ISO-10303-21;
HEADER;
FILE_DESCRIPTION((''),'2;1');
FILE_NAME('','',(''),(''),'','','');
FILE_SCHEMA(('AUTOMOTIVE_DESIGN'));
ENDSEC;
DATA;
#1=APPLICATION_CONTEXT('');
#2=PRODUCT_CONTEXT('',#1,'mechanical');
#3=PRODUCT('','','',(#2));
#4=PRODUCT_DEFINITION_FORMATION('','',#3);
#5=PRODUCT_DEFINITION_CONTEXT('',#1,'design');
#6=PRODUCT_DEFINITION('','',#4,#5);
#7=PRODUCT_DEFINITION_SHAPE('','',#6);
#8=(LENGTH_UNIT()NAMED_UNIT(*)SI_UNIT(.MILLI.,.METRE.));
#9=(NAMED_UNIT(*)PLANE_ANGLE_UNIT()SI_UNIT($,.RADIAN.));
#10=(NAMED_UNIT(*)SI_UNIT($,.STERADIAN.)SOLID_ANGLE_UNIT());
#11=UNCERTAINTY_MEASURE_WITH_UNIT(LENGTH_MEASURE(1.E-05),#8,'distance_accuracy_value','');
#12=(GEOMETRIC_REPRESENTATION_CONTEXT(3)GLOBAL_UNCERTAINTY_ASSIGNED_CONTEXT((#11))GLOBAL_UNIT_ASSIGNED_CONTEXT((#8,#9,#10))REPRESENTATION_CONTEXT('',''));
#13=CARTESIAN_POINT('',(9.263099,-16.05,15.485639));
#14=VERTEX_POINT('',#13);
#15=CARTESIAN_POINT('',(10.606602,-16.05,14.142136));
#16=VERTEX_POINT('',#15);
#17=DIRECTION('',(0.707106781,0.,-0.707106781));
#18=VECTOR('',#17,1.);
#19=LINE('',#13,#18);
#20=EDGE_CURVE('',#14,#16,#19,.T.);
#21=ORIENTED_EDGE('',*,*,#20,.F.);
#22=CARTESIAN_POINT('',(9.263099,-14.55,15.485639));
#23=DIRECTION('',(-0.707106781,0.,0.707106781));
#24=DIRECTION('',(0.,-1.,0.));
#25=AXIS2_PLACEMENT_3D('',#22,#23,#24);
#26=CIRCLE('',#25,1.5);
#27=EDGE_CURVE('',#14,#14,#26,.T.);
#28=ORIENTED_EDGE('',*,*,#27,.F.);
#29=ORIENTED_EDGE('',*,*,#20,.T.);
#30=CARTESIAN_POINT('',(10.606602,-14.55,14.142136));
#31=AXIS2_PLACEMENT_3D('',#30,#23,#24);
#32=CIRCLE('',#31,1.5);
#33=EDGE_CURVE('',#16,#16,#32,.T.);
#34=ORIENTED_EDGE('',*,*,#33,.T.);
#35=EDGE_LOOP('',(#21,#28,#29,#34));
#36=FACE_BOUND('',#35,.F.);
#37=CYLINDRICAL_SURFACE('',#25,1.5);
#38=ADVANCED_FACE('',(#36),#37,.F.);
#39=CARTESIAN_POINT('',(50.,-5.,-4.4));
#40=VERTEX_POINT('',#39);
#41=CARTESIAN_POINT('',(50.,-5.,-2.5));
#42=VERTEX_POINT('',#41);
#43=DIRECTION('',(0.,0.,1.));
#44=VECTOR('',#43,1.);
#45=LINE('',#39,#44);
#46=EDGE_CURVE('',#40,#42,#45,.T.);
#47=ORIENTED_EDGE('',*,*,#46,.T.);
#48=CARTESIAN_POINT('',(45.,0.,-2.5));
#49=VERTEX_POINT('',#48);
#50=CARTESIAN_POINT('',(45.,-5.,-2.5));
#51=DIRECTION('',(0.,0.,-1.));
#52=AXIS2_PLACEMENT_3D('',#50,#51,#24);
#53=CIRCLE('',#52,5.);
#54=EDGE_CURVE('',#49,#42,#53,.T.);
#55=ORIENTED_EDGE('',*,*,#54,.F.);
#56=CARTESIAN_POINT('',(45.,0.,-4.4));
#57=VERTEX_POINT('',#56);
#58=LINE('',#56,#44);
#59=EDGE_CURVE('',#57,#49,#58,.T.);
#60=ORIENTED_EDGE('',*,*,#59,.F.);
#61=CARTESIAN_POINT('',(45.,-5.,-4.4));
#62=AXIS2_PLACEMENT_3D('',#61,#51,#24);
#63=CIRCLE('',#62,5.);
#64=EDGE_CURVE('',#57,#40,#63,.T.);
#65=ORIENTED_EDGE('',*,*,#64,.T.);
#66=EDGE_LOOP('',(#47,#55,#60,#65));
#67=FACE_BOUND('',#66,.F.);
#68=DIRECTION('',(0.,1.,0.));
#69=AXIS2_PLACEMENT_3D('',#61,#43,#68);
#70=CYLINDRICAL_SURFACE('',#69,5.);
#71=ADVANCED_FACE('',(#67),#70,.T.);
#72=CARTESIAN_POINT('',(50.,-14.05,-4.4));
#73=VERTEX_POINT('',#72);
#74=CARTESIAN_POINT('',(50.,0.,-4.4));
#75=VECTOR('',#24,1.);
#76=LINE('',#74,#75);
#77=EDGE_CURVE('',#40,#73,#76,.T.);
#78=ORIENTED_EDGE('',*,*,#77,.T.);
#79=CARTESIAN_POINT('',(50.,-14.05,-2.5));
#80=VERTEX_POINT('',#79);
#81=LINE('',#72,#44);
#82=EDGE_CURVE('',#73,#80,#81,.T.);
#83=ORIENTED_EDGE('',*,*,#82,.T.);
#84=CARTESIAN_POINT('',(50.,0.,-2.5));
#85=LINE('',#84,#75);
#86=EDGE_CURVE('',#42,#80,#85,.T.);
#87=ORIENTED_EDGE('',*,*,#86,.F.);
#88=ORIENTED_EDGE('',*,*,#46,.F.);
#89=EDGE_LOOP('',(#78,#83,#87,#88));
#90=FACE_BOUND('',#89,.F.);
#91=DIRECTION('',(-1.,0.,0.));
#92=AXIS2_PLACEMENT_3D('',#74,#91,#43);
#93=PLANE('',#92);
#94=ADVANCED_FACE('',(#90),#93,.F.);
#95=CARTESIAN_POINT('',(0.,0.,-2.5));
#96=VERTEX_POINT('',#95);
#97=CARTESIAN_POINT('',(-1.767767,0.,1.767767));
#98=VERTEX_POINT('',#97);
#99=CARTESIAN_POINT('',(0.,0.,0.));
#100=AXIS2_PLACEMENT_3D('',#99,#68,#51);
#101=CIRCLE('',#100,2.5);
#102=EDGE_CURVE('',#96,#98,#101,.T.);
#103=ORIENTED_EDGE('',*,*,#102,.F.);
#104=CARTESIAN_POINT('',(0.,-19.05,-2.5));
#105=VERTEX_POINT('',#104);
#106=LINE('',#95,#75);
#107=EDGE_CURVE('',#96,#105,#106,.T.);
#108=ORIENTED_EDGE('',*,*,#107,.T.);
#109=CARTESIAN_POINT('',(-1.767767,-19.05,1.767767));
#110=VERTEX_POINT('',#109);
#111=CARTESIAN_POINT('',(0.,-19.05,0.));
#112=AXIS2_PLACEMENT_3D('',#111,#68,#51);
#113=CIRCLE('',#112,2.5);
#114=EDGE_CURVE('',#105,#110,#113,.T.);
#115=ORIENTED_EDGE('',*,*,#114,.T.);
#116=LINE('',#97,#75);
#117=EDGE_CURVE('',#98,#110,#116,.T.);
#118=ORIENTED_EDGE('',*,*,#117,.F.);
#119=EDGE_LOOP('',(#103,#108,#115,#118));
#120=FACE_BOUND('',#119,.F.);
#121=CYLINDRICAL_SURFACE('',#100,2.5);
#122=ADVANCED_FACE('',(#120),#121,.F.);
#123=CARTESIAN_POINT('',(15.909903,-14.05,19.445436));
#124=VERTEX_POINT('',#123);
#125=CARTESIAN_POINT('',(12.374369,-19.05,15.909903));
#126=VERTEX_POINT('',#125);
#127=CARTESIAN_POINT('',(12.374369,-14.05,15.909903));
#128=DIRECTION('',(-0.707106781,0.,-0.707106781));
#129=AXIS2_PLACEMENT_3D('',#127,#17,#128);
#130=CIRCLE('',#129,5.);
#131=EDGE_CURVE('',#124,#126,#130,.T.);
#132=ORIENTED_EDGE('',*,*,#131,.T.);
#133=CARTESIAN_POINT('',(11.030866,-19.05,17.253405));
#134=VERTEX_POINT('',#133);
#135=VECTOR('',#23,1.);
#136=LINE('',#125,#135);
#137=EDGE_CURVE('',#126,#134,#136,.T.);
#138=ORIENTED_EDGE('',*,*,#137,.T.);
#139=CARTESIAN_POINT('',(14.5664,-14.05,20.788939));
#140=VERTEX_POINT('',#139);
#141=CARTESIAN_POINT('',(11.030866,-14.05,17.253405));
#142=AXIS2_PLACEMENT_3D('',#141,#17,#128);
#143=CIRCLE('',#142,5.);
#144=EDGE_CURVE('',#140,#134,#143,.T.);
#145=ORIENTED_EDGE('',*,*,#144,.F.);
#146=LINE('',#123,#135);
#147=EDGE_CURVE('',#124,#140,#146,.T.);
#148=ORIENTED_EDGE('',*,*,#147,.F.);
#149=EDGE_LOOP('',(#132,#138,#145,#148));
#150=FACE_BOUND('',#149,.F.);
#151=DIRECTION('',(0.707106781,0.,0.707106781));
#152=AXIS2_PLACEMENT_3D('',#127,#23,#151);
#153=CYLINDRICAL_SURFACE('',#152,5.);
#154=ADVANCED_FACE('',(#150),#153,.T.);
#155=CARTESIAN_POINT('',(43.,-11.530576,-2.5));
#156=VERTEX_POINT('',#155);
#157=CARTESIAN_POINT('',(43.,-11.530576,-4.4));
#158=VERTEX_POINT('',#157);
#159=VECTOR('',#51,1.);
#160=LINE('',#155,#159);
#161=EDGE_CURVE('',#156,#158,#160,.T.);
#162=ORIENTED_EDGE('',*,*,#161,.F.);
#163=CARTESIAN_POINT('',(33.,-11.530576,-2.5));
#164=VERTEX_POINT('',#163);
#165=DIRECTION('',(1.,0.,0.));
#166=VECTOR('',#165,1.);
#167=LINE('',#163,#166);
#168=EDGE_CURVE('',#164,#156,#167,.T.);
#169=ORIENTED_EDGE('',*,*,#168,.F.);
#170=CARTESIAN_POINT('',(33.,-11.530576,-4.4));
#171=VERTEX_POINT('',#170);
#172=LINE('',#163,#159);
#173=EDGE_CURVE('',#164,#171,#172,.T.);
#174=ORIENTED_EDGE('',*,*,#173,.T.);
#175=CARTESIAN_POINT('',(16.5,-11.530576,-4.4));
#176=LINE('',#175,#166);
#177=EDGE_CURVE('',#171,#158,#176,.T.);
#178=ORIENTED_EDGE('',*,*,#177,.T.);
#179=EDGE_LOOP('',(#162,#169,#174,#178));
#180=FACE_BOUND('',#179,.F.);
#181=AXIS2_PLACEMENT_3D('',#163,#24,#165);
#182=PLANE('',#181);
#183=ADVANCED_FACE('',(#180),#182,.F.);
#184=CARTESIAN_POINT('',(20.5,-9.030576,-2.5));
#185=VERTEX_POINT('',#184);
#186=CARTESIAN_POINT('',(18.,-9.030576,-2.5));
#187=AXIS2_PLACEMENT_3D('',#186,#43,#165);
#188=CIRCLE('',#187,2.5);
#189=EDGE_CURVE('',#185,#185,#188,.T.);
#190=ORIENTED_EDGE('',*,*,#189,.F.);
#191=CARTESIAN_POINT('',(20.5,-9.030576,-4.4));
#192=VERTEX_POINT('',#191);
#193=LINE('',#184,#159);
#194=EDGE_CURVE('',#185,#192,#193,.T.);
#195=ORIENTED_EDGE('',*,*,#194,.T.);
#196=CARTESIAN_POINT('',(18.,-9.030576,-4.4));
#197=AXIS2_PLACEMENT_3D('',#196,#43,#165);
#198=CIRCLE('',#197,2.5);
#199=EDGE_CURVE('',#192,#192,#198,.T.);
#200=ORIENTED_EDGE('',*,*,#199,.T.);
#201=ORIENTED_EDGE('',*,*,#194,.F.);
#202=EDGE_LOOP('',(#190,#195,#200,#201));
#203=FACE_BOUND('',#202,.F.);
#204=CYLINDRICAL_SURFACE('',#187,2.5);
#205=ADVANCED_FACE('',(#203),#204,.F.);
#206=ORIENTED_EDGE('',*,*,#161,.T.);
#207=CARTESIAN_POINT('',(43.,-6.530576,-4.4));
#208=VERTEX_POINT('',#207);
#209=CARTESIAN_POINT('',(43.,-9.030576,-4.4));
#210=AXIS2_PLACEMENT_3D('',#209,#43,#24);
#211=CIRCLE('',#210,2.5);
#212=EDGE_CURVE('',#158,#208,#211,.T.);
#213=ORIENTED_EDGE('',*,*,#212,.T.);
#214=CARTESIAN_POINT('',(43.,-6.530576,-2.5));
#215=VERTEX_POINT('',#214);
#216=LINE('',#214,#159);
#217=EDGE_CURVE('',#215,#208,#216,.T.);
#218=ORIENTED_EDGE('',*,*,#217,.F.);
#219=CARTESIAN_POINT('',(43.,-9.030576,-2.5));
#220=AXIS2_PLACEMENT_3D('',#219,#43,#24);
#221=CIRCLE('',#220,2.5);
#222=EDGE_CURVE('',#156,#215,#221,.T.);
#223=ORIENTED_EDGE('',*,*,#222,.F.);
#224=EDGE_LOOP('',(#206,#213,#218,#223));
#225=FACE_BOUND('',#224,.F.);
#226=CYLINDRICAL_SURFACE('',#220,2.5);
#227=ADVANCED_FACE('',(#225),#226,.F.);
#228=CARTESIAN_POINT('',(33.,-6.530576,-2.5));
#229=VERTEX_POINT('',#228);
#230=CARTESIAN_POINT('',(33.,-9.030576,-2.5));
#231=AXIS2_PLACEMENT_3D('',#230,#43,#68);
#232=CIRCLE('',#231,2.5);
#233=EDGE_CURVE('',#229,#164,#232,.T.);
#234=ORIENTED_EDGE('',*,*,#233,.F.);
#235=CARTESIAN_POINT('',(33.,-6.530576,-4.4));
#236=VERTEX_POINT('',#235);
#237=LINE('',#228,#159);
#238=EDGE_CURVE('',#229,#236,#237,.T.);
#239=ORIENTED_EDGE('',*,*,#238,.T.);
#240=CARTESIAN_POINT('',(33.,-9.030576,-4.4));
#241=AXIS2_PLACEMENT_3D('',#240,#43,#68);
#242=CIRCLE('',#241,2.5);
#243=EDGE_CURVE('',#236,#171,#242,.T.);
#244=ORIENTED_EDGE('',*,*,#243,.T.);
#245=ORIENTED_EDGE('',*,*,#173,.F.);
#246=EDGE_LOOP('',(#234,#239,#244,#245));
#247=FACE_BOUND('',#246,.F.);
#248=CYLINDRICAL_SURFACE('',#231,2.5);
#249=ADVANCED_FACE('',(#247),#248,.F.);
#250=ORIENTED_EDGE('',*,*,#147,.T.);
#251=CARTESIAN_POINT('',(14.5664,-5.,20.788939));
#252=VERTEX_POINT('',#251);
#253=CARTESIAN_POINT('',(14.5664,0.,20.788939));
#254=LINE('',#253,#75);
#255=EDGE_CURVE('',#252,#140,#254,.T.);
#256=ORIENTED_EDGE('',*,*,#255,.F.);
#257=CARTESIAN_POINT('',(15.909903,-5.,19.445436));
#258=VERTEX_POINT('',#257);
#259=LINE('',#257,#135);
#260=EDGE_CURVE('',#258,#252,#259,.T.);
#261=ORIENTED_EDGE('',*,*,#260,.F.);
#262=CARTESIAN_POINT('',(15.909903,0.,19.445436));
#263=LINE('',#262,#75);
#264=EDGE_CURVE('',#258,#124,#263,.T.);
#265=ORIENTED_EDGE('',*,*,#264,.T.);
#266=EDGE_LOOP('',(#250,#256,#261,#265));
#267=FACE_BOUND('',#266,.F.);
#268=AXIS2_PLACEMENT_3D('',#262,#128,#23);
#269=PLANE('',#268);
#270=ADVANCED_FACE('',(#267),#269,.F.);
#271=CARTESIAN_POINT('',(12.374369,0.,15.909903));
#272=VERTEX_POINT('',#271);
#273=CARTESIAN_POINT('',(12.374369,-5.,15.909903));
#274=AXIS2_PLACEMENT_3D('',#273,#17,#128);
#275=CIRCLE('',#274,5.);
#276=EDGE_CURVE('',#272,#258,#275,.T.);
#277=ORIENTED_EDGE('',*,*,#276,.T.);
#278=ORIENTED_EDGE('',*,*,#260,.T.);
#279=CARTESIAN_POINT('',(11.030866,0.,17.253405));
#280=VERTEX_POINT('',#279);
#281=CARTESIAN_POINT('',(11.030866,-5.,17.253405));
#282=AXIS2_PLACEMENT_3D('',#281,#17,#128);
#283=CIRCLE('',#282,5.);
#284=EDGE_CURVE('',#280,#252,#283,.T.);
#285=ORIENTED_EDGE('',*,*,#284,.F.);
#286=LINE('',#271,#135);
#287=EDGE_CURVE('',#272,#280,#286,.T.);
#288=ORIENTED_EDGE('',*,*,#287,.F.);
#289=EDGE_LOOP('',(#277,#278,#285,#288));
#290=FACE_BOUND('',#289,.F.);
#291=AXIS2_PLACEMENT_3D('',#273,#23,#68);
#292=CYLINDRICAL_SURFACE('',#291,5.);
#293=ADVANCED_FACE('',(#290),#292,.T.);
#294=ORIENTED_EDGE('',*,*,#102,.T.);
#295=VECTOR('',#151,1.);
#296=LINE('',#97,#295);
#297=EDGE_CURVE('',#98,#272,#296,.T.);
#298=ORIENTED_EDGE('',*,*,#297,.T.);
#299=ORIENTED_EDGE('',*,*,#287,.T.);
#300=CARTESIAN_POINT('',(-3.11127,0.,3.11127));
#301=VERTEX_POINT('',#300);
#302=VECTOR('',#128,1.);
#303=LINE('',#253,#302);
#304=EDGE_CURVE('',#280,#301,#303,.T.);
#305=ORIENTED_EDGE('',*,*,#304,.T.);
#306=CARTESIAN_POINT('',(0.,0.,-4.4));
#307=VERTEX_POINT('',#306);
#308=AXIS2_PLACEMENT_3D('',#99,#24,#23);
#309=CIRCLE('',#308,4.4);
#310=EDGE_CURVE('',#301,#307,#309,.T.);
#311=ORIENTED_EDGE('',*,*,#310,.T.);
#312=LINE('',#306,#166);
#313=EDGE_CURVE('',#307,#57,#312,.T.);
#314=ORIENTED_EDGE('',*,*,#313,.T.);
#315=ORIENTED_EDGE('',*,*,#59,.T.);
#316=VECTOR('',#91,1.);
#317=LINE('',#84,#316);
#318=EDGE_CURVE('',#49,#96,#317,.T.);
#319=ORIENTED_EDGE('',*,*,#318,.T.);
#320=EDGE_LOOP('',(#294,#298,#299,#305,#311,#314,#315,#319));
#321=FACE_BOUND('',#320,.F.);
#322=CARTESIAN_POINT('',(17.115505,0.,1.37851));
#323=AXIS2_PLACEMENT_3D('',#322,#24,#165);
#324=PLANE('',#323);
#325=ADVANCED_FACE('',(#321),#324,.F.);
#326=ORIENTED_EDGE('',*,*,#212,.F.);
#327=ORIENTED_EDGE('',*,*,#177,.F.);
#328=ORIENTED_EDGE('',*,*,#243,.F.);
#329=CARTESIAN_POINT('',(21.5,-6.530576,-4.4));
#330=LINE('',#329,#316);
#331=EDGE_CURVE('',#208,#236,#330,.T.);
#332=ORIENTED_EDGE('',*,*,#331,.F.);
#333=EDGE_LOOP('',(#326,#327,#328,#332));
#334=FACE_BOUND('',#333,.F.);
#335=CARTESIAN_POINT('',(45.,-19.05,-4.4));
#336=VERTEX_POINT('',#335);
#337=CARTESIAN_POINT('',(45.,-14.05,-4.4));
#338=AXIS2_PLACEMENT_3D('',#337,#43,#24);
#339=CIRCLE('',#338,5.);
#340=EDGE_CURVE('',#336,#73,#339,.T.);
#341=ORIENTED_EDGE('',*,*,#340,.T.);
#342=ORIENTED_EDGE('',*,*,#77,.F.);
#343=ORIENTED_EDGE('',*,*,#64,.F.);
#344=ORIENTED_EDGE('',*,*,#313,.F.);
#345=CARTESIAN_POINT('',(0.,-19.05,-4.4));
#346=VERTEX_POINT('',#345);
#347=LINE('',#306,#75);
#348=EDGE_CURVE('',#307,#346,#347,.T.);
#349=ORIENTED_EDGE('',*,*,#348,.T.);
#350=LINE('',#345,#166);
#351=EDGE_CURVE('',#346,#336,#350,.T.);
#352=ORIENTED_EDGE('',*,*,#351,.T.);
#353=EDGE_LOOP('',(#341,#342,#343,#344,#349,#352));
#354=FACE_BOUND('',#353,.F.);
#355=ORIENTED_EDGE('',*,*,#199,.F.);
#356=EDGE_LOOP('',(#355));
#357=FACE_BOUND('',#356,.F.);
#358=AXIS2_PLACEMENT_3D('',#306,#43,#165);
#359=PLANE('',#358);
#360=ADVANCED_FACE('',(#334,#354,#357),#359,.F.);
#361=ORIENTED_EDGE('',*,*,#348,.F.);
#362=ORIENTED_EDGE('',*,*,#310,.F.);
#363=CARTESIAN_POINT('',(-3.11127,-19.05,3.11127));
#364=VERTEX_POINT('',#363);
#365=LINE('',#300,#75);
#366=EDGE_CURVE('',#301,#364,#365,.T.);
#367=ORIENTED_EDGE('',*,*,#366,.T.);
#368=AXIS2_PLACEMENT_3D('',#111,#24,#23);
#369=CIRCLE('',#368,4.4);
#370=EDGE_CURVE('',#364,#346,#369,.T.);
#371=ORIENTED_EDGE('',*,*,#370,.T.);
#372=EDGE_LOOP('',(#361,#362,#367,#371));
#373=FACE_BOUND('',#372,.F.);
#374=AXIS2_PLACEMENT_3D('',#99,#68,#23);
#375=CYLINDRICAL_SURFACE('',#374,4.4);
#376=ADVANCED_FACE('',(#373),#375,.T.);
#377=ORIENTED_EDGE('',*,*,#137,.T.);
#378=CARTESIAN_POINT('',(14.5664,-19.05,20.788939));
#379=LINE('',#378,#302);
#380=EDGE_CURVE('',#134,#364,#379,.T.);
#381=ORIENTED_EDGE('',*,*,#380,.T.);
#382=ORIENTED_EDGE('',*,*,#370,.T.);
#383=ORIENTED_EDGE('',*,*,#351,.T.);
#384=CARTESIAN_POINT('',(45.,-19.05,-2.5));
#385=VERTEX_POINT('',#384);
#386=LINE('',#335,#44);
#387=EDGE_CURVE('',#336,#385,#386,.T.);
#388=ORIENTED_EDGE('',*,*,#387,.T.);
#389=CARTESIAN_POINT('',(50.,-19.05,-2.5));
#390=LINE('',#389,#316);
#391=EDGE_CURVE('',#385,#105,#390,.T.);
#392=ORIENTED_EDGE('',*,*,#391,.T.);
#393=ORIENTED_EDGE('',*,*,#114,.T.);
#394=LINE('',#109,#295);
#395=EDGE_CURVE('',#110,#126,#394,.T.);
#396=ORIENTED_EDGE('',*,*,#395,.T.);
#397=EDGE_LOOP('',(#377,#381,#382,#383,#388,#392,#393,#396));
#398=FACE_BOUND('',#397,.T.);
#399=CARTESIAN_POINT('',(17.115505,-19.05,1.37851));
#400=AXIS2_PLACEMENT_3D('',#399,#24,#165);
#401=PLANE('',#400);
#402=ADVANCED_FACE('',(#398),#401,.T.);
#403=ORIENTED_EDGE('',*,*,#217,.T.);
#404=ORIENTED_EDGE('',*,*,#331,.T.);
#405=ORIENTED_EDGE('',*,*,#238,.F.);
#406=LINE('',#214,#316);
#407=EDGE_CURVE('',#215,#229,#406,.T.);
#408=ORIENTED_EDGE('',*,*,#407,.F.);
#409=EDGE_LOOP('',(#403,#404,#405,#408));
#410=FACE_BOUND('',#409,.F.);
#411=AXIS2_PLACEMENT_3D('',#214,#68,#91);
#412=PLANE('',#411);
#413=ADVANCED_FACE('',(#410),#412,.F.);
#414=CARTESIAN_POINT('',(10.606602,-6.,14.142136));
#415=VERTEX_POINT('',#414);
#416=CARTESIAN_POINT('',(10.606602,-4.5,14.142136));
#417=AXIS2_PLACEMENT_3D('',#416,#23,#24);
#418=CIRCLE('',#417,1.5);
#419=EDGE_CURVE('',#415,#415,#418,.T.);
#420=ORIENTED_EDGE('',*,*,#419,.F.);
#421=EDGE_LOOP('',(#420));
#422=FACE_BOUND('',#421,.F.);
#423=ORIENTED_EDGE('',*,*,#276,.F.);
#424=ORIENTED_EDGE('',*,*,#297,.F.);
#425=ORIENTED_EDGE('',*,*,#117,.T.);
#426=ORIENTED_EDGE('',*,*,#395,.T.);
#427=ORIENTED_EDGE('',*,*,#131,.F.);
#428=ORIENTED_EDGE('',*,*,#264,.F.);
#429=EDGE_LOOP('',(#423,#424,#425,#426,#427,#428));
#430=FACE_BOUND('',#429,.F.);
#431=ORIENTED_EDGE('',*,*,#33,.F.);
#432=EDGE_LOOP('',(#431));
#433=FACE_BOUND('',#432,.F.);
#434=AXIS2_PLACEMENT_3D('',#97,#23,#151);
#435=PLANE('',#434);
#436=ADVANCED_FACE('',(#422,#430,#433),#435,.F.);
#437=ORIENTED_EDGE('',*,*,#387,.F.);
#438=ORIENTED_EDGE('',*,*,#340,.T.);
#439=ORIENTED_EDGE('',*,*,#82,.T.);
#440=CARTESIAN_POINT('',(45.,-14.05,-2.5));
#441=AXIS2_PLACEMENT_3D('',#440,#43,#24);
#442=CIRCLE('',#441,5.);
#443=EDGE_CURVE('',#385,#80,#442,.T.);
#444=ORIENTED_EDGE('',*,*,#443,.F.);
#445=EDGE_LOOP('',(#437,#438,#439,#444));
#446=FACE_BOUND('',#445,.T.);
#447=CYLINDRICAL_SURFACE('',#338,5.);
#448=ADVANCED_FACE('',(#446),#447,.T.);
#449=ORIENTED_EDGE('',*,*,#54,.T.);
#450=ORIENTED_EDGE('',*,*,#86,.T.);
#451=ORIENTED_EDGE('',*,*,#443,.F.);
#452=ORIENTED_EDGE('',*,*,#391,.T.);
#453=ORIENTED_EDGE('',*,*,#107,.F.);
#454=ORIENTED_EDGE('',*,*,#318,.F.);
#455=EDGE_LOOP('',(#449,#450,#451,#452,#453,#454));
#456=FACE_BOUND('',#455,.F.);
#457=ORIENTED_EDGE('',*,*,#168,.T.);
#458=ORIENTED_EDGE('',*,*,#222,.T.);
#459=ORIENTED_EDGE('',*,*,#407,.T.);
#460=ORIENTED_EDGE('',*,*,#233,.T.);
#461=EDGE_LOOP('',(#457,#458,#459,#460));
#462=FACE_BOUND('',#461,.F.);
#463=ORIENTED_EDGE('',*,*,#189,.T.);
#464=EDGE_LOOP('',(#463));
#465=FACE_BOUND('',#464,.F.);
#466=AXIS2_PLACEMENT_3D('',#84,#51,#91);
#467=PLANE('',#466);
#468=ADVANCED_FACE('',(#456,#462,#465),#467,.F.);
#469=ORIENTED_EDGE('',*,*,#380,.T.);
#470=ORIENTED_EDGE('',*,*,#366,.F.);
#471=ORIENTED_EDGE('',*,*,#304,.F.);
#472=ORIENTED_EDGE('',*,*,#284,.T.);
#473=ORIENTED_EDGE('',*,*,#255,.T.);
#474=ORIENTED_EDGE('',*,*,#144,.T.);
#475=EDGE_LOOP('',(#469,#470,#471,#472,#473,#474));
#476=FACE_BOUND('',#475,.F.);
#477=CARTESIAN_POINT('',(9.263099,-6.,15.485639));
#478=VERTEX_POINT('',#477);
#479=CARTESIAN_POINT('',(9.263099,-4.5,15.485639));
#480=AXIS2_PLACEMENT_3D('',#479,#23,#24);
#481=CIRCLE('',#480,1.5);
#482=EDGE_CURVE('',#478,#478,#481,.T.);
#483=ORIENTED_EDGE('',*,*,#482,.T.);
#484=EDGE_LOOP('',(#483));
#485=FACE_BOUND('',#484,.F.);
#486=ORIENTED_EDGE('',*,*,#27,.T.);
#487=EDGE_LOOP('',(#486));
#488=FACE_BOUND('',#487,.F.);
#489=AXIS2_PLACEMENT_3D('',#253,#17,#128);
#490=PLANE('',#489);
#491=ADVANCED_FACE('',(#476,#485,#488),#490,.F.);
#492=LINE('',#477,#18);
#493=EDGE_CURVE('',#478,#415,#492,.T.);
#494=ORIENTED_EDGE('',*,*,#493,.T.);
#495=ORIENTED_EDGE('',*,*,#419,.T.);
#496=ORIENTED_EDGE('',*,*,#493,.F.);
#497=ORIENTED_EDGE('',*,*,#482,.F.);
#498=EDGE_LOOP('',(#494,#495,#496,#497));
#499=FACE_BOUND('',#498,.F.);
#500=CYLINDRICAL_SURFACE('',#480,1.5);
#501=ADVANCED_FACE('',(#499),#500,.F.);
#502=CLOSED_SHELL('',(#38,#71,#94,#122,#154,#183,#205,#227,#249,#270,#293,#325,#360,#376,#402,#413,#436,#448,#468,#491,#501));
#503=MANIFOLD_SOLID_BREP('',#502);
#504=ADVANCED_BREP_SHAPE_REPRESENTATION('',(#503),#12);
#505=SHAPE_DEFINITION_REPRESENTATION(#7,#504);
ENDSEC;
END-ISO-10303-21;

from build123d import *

# Parameters (mm, degrees)
F1_DEPTH = 19.05
F2_R     = 2.5
F3_DEPTH = 1.901
F4_R     = 5
F5_R     = 5
F6_R     = 1.5
F7_DEPTH = 1.9


with BuildPart() as f1:
    # F0 (on Front) → F1 (new body)
    with BuildSketch(Plane.XZ):
        with BuildLine():
            Line((14.5663996924, 20.7889393669), (-3.1112698372, 3.1112698372))
            ThreePointArc((-3.1112698372, 3.1112698372), (-4.065069943, -1.6838071024), (0, -4.4))
            Line((0, -4.4), (50, -4.4))
            Line((50, -4.4), (50, -2.5))
            Line((50, -2.5), (0, -2.5))
            ThreePointArc((0, -2.5), (-2.3096988313, -0.9567085809), (-1.767766953, 1.767766953))
            Line((-1.767766953, 1.767766953), (15.9099025767, 19.4454364826))
            Line((15.9099025767, 19.4454364826), (14.5663996924, 20.7889393669))
        make_face()
    extrude(amount=F1_DEPTH)

    # F2 (on face) → F3 (cut, through all)
    with BuildSketch(Plane.XY.offset(-2.5)):
        with Locations((18, -9.030575864)):
            Circle(F2_R)
        with BuildLine():
            Line((33, -11.530575864), (43, -11.530575864))
            ThreePointArc((43, -11.530575864), (45.5, -9.030575864), (43, -6.530575864))
            Line((43, -6.530575864), (33, -6.530575864))
            ThreePointArc((33, -6.530575864), (30.5, -9.030575864), (33, -11.530575864))
        make_face()
    extrude(amount=-F3_DEPTH, mode=Mode.SUBTRACT)

    # F4
    f4_edges = [f1.edges().sort_by_distance(p)[0] for p in [
        (50, -19.05, -3.45),
        (50, 0, -3.45),
    ]]
    fillet(f4_edges, radius=F4_R)

    # F5
    f5_edges = [f1.edges().sort_by_distance(p)[0] for p in [
        (15.238151, -19.05, 20.117188),
        (15.238151, 0, 20.117188),
    ]]
    fillet(f5_edges, radius=F5_R)

    # F6 (on face) → F7 (cut, through all)
    with BuildSketch(Plane(origin=(-3.1112698372, 0, 3.1112698372), x_dir=(0, -1, 0), z_dir=(-0.7071067812, 0, 0.7071067812))):
        with Locations((4.5, 17.5)):
            Circle(F6_R)
        with Locations((14.55, 17.5)):
            Circle(F6_R)
    extrude(amount=-F7_DEPTH, mode=Mode.SUBTRACT)


solid = f1.part
